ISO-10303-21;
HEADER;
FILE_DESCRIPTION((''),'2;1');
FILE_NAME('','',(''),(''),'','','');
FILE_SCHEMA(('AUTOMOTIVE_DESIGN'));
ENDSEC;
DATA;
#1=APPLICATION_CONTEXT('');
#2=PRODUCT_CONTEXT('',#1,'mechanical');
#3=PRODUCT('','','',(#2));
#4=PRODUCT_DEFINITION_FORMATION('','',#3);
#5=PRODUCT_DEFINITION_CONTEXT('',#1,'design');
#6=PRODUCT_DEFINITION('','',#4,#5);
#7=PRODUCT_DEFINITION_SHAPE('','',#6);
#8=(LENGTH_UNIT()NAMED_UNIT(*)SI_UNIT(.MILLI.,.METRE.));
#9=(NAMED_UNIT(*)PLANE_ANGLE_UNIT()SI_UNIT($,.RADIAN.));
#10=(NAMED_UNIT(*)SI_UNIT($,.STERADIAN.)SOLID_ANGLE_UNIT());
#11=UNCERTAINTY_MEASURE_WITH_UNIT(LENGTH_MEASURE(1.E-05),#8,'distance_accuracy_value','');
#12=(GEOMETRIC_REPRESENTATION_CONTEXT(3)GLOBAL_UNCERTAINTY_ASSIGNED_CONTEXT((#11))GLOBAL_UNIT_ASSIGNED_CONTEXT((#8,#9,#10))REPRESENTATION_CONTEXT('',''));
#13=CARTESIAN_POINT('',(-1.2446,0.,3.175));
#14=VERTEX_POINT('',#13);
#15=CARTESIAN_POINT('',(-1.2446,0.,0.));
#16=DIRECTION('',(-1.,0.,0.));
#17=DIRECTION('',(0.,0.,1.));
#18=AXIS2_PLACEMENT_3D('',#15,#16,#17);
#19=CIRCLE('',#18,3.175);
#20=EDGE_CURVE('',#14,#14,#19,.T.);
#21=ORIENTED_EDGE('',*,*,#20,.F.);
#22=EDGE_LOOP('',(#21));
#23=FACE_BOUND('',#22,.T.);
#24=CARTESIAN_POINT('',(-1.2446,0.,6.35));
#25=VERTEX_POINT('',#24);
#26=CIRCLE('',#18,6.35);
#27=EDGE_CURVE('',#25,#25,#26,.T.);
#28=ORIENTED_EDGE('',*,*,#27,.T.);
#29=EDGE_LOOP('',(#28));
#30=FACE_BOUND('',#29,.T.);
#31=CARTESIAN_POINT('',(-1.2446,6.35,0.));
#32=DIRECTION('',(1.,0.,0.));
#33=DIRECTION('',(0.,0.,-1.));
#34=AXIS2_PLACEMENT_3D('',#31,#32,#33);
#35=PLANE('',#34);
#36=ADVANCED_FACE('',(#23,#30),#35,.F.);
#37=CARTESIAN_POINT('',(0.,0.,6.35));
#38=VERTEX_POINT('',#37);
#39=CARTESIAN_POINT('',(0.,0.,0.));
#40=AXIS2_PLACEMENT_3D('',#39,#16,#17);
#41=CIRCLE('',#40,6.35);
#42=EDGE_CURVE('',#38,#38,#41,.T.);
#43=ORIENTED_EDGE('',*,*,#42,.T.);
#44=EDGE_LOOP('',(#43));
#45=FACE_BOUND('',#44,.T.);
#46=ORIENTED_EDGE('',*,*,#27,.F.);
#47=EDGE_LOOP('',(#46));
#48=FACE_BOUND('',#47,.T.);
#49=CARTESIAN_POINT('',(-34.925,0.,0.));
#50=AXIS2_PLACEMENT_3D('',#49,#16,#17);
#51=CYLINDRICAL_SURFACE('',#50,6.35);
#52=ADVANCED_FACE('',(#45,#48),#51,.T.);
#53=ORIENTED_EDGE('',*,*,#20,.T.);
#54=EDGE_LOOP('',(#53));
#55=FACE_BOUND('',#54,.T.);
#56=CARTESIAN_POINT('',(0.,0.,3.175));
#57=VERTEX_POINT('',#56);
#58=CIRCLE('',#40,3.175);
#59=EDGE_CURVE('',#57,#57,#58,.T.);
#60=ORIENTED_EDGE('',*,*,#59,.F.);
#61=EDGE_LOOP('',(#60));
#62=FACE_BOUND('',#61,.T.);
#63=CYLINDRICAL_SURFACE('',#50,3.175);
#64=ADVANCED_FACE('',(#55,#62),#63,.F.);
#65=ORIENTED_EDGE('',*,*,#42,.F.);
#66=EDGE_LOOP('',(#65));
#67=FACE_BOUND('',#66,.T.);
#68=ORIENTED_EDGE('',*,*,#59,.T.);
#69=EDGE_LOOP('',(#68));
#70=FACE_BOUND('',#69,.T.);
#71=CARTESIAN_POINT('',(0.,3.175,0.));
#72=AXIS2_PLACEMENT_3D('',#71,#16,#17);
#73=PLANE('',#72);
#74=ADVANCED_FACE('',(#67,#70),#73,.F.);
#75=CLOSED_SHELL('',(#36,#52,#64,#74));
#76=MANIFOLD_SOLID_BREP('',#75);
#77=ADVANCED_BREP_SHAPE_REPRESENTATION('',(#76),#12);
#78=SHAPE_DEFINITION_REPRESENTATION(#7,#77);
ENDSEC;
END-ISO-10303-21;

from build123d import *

# Parameters (mm, degrees)
SKETCH1_W = 1.2446
SKETCH1_H = 3.175


with BuildPart() as part:
    # Sketch1 → Base-Revolve (revolve)
    with BuildSketch(Plane.XY, mode=Mode.PRIVATE) as base_revolve_sk:
        with Locations((-0.6223, 4.7625)):
            Rectangle(SKETCH1_W, SKETCH1_H)
    revolve(base_revolve_sk.sketch.rotate(Axis((-34.925, 0, 0), (1, 0, 0)), 90), axis=Axis((-34.925, 0, 0), (1, 0, 0)))


solid = part.part
